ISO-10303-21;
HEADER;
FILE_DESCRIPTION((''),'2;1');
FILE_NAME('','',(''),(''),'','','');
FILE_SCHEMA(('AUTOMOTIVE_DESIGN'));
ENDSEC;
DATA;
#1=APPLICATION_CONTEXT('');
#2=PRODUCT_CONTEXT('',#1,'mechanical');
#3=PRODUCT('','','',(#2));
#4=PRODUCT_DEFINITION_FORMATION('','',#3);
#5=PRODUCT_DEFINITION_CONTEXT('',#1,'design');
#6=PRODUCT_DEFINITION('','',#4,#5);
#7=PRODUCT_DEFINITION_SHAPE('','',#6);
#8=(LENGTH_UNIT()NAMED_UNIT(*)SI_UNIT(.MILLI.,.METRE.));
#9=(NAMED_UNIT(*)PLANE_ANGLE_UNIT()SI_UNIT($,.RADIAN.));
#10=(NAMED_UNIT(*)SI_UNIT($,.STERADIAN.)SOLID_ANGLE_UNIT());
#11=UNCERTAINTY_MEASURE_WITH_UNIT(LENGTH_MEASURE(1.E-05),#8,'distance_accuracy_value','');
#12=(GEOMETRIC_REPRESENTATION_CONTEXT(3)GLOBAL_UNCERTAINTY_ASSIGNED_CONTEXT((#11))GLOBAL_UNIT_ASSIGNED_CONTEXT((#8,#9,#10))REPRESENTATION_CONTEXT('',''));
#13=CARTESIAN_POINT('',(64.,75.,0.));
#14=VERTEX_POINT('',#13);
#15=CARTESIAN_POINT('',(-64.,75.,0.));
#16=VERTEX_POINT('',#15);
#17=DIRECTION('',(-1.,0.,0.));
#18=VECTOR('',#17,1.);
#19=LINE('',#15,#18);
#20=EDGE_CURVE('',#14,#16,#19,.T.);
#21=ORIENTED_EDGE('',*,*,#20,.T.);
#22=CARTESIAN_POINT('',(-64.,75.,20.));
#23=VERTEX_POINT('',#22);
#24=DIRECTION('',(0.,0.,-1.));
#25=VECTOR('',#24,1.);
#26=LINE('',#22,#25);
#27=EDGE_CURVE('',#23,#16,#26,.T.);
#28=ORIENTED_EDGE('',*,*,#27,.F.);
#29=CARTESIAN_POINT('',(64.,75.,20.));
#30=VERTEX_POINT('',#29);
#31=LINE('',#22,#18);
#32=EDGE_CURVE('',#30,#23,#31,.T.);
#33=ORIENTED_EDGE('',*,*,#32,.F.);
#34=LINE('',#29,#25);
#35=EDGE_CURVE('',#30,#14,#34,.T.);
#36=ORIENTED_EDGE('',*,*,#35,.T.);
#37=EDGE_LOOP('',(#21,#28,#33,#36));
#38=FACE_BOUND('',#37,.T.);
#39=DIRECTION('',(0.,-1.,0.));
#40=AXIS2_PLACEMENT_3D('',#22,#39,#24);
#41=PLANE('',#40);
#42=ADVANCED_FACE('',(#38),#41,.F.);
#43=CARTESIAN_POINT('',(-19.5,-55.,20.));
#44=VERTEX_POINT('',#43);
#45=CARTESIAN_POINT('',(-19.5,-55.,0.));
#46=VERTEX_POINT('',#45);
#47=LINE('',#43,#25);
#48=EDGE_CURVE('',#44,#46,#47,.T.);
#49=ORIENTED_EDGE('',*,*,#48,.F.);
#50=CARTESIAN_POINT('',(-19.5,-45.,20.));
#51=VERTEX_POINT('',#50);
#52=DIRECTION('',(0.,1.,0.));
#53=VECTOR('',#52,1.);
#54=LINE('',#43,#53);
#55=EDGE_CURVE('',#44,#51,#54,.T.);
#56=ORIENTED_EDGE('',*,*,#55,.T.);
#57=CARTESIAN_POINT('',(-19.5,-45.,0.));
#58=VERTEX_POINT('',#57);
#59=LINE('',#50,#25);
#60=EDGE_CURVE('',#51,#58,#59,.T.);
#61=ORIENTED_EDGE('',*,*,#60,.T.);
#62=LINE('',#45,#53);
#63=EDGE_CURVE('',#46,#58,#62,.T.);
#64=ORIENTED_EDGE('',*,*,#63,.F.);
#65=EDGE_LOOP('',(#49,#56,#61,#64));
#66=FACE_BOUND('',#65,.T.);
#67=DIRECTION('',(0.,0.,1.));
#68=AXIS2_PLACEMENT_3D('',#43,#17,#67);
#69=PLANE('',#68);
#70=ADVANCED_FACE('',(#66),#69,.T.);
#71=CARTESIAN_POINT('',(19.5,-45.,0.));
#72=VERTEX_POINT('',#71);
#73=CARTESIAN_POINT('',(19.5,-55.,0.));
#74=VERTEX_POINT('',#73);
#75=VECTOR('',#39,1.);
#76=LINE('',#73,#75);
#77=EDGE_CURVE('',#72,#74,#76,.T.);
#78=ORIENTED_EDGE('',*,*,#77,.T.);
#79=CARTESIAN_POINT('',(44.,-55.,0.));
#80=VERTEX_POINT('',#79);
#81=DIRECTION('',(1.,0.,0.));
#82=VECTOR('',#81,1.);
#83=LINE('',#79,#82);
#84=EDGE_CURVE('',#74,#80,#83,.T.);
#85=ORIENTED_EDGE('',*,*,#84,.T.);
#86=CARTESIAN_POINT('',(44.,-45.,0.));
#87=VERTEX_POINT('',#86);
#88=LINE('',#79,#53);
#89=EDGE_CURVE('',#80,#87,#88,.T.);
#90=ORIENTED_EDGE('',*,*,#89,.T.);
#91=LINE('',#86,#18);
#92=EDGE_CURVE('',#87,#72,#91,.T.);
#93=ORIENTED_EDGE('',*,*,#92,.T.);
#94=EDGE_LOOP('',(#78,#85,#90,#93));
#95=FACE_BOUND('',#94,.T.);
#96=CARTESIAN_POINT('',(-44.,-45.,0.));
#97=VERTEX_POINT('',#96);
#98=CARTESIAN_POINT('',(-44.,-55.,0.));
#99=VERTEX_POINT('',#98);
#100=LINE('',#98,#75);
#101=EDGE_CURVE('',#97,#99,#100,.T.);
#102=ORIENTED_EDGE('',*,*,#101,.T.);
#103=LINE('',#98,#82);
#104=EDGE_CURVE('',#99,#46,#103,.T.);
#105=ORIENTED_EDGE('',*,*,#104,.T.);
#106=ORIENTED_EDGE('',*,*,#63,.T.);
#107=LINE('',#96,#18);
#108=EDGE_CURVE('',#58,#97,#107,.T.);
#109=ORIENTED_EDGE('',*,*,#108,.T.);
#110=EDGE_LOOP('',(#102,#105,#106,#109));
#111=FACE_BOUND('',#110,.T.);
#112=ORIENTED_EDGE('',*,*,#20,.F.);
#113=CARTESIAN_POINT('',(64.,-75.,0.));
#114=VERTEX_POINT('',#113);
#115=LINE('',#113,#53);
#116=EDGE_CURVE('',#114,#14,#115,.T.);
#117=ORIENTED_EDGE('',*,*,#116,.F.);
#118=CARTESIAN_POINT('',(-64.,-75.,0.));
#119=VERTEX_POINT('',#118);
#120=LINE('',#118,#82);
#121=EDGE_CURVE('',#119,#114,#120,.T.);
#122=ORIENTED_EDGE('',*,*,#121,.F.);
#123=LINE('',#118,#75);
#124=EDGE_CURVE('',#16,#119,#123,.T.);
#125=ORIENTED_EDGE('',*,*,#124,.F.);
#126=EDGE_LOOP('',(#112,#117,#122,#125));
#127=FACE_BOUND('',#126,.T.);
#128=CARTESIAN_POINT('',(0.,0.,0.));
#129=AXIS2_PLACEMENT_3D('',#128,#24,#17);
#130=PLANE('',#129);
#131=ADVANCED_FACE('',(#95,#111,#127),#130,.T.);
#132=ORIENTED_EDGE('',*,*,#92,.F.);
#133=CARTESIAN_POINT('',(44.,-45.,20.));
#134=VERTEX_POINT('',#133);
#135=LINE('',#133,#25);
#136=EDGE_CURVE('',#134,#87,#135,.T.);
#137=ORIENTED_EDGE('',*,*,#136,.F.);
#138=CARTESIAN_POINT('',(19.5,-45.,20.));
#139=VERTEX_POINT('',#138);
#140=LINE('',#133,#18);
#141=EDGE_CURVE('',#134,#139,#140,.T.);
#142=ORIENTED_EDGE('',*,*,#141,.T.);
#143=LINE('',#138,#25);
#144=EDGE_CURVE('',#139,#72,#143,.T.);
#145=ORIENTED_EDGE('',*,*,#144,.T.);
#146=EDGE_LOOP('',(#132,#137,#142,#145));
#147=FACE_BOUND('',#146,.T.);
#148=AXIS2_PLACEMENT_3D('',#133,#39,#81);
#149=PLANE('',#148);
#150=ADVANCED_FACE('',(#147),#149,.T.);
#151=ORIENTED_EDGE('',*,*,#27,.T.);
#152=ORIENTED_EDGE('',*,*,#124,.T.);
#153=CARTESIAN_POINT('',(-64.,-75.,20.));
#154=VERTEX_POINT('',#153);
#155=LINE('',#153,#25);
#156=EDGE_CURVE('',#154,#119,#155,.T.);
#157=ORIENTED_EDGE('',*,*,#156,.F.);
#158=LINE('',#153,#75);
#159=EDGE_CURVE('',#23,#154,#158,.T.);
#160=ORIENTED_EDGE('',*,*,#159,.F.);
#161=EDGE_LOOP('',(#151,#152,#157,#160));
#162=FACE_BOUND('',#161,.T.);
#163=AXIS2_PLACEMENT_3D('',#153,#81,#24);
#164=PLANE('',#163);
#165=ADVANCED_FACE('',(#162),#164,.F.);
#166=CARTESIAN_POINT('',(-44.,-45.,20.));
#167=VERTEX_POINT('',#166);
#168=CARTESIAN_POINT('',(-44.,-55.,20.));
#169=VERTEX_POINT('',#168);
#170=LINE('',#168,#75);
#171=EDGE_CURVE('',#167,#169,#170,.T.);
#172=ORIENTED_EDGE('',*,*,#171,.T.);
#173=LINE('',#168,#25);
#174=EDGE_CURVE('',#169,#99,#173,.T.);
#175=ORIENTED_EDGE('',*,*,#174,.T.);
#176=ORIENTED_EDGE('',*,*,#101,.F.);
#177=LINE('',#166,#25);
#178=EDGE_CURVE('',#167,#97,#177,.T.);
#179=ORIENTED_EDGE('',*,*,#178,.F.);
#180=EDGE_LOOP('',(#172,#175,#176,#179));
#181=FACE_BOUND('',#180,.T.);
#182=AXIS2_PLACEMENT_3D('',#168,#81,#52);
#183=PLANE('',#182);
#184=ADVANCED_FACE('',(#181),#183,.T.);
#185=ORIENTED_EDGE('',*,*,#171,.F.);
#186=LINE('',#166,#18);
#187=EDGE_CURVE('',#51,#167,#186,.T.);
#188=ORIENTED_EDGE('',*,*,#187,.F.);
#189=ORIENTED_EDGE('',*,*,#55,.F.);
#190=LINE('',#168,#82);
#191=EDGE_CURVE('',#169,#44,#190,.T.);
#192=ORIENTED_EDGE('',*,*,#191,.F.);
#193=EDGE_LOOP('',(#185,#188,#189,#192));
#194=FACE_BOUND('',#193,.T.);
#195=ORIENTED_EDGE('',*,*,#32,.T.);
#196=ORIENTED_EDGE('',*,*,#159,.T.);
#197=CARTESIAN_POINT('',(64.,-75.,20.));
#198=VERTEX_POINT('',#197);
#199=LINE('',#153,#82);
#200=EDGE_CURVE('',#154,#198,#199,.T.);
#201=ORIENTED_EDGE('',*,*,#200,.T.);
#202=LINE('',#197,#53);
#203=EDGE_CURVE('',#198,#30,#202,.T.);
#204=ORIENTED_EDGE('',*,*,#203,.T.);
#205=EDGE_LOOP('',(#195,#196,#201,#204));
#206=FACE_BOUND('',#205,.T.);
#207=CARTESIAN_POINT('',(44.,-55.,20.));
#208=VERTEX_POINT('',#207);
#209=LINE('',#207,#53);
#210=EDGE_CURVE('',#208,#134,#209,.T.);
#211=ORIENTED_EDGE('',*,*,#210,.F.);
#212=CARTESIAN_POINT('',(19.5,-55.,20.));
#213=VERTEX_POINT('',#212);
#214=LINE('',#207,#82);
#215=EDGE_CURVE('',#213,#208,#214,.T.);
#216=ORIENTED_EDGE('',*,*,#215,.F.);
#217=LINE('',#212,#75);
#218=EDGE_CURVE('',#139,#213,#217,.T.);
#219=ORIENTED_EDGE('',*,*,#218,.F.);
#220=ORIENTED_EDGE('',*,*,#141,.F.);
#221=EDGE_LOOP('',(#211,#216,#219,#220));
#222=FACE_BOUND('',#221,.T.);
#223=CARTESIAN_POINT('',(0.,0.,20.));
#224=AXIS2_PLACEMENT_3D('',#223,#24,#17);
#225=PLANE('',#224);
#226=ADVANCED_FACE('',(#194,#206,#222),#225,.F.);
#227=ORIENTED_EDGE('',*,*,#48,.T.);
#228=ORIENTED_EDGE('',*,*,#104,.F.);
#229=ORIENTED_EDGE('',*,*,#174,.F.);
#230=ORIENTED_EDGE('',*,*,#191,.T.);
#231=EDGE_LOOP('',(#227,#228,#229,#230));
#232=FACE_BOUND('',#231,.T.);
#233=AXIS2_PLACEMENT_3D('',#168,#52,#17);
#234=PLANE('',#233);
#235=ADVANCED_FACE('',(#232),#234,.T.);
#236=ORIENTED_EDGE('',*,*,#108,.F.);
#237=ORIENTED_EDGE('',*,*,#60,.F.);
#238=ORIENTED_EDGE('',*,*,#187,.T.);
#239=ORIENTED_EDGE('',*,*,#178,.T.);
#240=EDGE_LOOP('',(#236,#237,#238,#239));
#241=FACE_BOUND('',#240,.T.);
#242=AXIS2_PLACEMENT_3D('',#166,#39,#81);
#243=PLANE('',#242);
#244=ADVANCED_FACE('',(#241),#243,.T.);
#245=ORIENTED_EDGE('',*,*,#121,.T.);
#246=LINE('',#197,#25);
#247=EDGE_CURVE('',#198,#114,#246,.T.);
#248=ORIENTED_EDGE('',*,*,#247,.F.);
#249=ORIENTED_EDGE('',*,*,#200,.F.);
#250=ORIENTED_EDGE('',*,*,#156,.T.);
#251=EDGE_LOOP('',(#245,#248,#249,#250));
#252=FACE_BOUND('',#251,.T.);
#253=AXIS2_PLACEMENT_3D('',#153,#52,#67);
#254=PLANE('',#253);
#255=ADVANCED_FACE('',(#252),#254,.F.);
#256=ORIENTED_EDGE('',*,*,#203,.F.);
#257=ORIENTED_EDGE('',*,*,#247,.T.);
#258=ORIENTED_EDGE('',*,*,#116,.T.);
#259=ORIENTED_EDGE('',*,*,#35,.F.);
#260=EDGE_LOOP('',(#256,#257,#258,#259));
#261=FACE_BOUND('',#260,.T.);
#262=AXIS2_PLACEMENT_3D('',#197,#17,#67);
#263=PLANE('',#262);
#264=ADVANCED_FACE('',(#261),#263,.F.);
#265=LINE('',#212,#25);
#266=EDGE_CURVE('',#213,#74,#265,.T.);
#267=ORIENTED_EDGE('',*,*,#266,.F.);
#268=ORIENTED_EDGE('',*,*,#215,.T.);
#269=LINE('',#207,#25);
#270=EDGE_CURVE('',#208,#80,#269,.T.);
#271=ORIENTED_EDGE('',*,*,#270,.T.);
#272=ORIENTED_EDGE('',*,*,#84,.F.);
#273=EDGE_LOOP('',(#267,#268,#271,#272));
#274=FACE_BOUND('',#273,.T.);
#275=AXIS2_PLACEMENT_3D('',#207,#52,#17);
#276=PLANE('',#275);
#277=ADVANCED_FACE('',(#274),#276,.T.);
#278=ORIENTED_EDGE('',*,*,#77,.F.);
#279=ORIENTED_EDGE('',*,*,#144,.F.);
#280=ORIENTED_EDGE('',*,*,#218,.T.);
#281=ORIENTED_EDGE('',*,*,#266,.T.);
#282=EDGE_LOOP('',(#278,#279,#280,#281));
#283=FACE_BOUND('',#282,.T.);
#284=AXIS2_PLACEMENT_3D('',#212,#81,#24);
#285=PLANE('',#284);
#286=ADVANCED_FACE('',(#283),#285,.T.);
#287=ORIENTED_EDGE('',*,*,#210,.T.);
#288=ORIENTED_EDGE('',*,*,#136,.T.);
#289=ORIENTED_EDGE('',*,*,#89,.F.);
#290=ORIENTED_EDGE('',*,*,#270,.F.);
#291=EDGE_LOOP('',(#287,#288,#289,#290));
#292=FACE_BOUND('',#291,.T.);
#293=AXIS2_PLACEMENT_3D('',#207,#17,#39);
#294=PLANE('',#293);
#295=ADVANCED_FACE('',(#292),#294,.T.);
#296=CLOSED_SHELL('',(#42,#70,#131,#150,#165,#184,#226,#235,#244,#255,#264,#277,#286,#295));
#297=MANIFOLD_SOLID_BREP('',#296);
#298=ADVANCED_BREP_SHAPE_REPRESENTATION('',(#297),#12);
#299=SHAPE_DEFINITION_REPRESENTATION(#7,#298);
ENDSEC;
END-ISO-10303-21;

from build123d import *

# Parameters (mm, degrees)
SKETCH2_W           = 128
SKETCH2_H           = 150
SKETCH2_W_2         = 24.5
SKETCH2_H_2         = 10
BOSS_EXTRUDE1_DEPTH = 20


with BuildPart() as part:
    # Sketch2 → Boss-Extrude1 (new body)
    with BuildSketch(Plane.XY):
        Rectangle(SKETCH2_W, SKETCH2_H)
        with Locations((-31.75, -50)):
            Rectangle(SKETCH2_W_2, SKETCH2_H_2, mode=Mode.SUBTRACT)
        with Locations((31.75, -50)):
            Rectangle(SKETCH2_W_2, SKETCH2_H_2, mode=Mode.SUBTRACT)
    extrude(amount=BOSS_EXTRUDE1_DEPTH)


solid = part.part
